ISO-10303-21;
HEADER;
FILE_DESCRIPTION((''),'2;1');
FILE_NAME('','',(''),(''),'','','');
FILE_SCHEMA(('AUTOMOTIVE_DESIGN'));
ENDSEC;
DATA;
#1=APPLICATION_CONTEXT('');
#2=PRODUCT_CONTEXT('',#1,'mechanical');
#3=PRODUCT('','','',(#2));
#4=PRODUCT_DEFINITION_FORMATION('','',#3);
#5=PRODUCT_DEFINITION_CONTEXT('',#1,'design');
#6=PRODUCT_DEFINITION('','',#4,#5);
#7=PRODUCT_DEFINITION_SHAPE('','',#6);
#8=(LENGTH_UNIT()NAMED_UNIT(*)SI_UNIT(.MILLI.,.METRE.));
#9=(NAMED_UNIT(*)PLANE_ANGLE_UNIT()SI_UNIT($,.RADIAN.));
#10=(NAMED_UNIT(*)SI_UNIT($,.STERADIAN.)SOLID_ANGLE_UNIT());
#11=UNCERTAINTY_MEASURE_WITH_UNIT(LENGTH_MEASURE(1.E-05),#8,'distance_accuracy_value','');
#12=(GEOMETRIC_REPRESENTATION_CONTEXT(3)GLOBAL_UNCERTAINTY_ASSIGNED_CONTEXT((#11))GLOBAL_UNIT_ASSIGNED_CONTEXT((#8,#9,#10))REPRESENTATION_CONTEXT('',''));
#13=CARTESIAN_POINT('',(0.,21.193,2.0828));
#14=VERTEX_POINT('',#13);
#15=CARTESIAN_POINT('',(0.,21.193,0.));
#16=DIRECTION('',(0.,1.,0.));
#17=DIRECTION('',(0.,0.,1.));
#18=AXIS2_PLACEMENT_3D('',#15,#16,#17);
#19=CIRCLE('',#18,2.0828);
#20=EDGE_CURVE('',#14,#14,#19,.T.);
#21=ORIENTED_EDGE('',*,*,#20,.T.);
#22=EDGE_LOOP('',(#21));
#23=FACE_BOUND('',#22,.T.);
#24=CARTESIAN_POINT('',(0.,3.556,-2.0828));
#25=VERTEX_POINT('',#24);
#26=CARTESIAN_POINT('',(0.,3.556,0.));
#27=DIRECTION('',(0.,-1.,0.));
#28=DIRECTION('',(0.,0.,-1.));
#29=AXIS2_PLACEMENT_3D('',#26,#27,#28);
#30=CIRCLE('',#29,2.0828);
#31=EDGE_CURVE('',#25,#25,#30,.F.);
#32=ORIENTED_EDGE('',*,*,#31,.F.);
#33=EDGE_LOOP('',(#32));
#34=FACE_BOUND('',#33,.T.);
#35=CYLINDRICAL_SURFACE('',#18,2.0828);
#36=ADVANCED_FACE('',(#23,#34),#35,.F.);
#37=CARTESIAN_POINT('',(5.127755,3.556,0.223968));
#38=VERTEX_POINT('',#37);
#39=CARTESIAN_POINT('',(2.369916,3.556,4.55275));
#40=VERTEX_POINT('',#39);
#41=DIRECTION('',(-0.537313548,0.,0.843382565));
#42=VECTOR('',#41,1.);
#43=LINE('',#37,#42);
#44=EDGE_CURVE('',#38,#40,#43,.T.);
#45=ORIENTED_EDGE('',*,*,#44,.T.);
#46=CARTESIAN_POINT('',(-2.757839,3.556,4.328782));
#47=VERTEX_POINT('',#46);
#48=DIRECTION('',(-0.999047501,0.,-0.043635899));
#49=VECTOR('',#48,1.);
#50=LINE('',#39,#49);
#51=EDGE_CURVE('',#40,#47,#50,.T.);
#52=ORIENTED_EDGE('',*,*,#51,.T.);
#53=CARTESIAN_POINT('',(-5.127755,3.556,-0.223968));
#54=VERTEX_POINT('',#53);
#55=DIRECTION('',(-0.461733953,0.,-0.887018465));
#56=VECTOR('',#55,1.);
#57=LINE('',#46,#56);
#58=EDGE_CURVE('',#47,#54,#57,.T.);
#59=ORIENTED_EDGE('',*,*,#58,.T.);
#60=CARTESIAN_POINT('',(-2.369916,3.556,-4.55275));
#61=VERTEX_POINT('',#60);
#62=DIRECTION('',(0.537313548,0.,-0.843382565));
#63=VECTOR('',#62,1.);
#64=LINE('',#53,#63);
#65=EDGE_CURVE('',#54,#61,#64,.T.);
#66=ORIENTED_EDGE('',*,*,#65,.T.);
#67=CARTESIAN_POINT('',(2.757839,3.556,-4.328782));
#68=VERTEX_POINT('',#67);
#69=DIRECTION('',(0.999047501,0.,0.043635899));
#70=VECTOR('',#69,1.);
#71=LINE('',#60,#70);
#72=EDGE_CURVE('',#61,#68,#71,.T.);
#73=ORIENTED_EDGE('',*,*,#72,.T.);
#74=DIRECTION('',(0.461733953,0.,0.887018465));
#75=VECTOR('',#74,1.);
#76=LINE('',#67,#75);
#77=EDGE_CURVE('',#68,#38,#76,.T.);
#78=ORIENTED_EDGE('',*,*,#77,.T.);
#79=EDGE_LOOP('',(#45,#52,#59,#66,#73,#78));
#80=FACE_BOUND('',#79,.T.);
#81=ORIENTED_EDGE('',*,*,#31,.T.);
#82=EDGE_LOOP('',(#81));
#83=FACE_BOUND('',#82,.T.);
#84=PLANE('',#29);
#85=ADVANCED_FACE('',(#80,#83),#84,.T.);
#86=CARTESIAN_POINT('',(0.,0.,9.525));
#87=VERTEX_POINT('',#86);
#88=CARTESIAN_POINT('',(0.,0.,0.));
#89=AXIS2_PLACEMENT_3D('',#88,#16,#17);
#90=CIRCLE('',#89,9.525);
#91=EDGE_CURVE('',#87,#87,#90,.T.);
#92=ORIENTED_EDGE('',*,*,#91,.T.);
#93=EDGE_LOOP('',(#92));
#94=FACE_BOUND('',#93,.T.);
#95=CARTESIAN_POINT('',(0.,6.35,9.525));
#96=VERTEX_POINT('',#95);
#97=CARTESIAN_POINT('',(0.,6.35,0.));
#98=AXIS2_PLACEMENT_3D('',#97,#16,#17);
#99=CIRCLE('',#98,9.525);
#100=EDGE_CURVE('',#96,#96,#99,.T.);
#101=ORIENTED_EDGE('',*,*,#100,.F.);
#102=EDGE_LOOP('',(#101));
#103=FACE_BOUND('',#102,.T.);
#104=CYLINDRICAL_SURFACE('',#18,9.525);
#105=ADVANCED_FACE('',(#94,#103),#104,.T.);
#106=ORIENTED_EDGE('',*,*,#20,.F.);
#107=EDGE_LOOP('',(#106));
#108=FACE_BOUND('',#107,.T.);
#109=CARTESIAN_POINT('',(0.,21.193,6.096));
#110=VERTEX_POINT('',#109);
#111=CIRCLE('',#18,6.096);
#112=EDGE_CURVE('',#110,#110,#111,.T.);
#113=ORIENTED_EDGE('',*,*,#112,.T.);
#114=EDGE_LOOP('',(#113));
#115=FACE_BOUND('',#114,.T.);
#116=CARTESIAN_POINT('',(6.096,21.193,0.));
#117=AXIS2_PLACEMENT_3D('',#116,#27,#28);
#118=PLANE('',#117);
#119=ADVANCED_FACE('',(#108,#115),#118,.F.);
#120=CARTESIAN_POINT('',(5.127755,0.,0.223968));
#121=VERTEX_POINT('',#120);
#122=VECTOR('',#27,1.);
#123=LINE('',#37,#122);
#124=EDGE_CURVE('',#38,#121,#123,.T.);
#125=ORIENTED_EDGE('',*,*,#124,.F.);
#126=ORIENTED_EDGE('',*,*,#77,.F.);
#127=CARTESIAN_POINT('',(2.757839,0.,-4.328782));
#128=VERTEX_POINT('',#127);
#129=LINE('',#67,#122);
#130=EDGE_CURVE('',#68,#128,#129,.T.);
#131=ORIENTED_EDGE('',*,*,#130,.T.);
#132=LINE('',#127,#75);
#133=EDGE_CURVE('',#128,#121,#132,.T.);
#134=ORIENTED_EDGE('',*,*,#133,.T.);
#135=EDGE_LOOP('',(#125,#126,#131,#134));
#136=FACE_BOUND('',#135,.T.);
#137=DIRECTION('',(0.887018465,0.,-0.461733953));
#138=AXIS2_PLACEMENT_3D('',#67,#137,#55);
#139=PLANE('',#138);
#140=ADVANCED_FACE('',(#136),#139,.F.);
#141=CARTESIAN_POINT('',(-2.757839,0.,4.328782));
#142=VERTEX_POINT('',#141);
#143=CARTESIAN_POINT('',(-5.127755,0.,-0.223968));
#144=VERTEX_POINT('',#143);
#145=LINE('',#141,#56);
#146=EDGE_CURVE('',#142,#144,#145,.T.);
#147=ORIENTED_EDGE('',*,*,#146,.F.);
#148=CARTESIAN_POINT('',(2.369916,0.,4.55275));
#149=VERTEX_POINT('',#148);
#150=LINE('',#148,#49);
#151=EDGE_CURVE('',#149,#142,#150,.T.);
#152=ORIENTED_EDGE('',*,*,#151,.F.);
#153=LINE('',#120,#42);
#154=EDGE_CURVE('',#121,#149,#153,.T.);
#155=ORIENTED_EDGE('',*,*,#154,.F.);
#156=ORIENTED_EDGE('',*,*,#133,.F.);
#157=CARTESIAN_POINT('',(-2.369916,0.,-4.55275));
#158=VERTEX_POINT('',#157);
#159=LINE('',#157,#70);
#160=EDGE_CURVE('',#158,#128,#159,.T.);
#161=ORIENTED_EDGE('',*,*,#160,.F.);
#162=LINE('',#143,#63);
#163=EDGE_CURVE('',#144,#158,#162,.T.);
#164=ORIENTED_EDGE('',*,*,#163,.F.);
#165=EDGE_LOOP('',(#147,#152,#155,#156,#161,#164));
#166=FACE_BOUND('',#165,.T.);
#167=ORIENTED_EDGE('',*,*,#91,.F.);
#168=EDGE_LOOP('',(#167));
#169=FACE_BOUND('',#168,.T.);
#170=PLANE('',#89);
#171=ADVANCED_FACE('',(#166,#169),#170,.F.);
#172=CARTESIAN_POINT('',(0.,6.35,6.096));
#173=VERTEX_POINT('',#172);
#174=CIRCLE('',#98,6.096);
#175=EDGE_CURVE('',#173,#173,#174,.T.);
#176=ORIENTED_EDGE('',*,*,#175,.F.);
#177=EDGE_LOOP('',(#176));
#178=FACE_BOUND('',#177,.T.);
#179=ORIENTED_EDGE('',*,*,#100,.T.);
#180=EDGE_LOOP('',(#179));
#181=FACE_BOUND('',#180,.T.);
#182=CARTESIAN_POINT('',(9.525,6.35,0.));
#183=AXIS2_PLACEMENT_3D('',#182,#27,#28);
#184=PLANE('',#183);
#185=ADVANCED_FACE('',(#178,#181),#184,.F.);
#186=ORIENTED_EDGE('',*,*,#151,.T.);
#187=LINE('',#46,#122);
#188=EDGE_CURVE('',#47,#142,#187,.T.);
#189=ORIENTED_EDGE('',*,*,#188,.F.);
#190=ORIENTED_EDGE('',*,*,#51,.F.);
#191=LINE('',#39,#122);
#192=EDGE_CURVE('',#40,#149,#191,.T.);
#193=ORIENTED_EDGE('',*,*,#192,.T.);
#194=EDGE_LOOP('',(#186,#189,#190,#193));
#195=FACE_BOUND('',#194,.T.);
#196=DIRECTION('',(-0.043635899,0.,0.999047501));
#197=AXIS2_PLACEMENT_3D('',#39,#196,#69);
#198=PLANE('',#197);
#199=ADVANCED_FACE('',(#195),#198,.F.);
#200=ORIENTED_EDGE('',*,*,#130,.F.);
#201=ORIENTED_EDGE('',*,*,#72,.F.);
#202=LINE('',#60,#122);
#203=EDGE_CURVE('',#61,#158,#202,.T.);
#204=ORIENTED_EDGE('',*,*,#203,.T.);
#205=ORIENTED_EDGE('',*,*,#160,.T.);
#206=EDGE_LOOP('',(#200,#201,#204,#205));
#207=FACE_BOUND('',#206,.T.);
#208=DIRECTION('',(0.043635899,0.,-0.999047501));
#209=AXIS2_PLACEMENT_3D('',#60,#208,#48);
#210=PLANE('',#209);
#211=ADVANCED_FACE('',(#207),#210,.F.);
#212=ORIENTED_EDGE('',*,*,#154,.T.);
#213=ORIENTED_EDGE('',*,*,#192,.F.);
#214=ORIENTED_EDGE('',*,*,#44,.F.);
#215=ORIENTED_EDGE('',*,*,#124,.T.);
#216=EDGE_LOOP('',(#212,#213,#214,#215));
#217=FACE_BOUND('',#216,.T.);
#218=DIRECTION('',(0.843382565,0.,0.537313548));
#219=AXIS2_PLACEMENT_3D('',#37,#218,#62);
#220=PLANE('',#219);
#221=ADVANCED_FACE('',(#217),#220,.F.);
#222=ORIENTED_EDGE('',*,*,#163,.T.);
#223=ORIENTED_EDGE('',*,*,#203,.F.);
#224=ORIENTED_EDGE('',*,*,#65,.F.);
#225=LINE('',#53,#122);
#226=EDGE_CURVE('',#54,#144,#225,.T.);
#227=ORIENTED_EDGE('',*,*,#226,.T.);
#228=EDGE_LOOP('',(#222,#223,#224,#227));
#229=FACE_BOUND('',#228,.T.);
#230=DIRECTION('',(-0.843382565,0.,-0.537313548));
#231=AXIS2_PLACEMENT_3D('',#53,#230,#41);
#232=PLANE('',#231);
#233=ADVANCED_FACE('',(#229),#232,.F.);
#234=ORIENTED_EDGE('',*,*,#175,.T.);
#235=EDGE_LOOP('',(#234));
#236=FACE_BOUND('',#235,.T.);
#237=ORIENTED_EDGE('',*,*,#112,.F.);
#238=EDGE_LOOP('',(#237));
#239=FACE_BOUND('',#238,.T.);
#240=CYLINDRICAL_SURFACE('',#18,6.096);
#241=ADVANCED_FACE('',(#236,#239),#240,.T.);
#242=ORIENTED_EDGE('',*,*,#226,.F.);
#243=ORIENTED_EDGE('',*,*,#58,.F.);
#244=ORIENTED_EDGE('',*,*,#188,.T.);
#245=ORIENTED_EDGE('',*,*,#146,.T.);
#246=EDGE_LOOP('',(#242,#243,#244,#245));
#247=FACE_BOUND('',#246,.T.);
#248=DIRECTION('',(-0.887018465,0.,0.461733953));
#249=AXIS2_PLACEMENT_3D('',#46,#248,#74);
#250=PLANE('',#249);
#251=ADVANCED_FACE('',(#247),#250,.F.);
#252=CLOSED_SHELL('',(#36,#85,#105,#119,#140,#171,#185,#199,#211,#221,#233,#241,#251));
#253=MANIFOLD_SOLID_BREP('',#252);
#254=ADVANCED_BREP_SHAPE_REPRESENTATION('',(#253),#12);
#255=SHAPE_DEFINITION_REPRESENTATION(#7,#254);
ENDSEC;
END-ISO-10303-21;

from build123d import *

# Parameters (mm, degrees)
F_8_32_TAPPED_HOLE1_D = 4.1656
CUT_EXTRUDE1_DEPTH    = 3.556


with BuildPart() as part:
    # Sketch3 → Revolve1 (revolve)
    with BuildSketch(Plane.XY):
        Polygon((0, 0), (9.525, 0), (9.525, 6.35), (6.096, 6.35), (6.096, 21.193), (0, 21.193), align=None)
    revolve(axis=Axis((0, 21.193, 0), (0, -1, 0)))

    # #8-32 Tapped Hole1 (through all)
    with Locations(Plane(origin=(0, 21.193, 0), x_dir=(1, 0, 0), z_dir=(0, 1, 0))):
        with Locations((0, 0)):
            Hole(F_8_32_TAPPED_HOLE1_D / 2)

    # Sketch6 → Cut-Extrude1 (cut)
    with BuildSketch(Plane.XZ):
        Polygon((2.369915953, 4.552749906), (-2.757839099, 4.328782373), (-5.127755052, -0.223967533), (-2.369915953, -4.552749906), (2.757839099, -4.328782373), (5.127755052, 0.223967533), align=None)
    extrude(amount=-CUT_EXTRUDE1_DEPTH, mode=Mode.SUBTRACT)


solid = part.part
